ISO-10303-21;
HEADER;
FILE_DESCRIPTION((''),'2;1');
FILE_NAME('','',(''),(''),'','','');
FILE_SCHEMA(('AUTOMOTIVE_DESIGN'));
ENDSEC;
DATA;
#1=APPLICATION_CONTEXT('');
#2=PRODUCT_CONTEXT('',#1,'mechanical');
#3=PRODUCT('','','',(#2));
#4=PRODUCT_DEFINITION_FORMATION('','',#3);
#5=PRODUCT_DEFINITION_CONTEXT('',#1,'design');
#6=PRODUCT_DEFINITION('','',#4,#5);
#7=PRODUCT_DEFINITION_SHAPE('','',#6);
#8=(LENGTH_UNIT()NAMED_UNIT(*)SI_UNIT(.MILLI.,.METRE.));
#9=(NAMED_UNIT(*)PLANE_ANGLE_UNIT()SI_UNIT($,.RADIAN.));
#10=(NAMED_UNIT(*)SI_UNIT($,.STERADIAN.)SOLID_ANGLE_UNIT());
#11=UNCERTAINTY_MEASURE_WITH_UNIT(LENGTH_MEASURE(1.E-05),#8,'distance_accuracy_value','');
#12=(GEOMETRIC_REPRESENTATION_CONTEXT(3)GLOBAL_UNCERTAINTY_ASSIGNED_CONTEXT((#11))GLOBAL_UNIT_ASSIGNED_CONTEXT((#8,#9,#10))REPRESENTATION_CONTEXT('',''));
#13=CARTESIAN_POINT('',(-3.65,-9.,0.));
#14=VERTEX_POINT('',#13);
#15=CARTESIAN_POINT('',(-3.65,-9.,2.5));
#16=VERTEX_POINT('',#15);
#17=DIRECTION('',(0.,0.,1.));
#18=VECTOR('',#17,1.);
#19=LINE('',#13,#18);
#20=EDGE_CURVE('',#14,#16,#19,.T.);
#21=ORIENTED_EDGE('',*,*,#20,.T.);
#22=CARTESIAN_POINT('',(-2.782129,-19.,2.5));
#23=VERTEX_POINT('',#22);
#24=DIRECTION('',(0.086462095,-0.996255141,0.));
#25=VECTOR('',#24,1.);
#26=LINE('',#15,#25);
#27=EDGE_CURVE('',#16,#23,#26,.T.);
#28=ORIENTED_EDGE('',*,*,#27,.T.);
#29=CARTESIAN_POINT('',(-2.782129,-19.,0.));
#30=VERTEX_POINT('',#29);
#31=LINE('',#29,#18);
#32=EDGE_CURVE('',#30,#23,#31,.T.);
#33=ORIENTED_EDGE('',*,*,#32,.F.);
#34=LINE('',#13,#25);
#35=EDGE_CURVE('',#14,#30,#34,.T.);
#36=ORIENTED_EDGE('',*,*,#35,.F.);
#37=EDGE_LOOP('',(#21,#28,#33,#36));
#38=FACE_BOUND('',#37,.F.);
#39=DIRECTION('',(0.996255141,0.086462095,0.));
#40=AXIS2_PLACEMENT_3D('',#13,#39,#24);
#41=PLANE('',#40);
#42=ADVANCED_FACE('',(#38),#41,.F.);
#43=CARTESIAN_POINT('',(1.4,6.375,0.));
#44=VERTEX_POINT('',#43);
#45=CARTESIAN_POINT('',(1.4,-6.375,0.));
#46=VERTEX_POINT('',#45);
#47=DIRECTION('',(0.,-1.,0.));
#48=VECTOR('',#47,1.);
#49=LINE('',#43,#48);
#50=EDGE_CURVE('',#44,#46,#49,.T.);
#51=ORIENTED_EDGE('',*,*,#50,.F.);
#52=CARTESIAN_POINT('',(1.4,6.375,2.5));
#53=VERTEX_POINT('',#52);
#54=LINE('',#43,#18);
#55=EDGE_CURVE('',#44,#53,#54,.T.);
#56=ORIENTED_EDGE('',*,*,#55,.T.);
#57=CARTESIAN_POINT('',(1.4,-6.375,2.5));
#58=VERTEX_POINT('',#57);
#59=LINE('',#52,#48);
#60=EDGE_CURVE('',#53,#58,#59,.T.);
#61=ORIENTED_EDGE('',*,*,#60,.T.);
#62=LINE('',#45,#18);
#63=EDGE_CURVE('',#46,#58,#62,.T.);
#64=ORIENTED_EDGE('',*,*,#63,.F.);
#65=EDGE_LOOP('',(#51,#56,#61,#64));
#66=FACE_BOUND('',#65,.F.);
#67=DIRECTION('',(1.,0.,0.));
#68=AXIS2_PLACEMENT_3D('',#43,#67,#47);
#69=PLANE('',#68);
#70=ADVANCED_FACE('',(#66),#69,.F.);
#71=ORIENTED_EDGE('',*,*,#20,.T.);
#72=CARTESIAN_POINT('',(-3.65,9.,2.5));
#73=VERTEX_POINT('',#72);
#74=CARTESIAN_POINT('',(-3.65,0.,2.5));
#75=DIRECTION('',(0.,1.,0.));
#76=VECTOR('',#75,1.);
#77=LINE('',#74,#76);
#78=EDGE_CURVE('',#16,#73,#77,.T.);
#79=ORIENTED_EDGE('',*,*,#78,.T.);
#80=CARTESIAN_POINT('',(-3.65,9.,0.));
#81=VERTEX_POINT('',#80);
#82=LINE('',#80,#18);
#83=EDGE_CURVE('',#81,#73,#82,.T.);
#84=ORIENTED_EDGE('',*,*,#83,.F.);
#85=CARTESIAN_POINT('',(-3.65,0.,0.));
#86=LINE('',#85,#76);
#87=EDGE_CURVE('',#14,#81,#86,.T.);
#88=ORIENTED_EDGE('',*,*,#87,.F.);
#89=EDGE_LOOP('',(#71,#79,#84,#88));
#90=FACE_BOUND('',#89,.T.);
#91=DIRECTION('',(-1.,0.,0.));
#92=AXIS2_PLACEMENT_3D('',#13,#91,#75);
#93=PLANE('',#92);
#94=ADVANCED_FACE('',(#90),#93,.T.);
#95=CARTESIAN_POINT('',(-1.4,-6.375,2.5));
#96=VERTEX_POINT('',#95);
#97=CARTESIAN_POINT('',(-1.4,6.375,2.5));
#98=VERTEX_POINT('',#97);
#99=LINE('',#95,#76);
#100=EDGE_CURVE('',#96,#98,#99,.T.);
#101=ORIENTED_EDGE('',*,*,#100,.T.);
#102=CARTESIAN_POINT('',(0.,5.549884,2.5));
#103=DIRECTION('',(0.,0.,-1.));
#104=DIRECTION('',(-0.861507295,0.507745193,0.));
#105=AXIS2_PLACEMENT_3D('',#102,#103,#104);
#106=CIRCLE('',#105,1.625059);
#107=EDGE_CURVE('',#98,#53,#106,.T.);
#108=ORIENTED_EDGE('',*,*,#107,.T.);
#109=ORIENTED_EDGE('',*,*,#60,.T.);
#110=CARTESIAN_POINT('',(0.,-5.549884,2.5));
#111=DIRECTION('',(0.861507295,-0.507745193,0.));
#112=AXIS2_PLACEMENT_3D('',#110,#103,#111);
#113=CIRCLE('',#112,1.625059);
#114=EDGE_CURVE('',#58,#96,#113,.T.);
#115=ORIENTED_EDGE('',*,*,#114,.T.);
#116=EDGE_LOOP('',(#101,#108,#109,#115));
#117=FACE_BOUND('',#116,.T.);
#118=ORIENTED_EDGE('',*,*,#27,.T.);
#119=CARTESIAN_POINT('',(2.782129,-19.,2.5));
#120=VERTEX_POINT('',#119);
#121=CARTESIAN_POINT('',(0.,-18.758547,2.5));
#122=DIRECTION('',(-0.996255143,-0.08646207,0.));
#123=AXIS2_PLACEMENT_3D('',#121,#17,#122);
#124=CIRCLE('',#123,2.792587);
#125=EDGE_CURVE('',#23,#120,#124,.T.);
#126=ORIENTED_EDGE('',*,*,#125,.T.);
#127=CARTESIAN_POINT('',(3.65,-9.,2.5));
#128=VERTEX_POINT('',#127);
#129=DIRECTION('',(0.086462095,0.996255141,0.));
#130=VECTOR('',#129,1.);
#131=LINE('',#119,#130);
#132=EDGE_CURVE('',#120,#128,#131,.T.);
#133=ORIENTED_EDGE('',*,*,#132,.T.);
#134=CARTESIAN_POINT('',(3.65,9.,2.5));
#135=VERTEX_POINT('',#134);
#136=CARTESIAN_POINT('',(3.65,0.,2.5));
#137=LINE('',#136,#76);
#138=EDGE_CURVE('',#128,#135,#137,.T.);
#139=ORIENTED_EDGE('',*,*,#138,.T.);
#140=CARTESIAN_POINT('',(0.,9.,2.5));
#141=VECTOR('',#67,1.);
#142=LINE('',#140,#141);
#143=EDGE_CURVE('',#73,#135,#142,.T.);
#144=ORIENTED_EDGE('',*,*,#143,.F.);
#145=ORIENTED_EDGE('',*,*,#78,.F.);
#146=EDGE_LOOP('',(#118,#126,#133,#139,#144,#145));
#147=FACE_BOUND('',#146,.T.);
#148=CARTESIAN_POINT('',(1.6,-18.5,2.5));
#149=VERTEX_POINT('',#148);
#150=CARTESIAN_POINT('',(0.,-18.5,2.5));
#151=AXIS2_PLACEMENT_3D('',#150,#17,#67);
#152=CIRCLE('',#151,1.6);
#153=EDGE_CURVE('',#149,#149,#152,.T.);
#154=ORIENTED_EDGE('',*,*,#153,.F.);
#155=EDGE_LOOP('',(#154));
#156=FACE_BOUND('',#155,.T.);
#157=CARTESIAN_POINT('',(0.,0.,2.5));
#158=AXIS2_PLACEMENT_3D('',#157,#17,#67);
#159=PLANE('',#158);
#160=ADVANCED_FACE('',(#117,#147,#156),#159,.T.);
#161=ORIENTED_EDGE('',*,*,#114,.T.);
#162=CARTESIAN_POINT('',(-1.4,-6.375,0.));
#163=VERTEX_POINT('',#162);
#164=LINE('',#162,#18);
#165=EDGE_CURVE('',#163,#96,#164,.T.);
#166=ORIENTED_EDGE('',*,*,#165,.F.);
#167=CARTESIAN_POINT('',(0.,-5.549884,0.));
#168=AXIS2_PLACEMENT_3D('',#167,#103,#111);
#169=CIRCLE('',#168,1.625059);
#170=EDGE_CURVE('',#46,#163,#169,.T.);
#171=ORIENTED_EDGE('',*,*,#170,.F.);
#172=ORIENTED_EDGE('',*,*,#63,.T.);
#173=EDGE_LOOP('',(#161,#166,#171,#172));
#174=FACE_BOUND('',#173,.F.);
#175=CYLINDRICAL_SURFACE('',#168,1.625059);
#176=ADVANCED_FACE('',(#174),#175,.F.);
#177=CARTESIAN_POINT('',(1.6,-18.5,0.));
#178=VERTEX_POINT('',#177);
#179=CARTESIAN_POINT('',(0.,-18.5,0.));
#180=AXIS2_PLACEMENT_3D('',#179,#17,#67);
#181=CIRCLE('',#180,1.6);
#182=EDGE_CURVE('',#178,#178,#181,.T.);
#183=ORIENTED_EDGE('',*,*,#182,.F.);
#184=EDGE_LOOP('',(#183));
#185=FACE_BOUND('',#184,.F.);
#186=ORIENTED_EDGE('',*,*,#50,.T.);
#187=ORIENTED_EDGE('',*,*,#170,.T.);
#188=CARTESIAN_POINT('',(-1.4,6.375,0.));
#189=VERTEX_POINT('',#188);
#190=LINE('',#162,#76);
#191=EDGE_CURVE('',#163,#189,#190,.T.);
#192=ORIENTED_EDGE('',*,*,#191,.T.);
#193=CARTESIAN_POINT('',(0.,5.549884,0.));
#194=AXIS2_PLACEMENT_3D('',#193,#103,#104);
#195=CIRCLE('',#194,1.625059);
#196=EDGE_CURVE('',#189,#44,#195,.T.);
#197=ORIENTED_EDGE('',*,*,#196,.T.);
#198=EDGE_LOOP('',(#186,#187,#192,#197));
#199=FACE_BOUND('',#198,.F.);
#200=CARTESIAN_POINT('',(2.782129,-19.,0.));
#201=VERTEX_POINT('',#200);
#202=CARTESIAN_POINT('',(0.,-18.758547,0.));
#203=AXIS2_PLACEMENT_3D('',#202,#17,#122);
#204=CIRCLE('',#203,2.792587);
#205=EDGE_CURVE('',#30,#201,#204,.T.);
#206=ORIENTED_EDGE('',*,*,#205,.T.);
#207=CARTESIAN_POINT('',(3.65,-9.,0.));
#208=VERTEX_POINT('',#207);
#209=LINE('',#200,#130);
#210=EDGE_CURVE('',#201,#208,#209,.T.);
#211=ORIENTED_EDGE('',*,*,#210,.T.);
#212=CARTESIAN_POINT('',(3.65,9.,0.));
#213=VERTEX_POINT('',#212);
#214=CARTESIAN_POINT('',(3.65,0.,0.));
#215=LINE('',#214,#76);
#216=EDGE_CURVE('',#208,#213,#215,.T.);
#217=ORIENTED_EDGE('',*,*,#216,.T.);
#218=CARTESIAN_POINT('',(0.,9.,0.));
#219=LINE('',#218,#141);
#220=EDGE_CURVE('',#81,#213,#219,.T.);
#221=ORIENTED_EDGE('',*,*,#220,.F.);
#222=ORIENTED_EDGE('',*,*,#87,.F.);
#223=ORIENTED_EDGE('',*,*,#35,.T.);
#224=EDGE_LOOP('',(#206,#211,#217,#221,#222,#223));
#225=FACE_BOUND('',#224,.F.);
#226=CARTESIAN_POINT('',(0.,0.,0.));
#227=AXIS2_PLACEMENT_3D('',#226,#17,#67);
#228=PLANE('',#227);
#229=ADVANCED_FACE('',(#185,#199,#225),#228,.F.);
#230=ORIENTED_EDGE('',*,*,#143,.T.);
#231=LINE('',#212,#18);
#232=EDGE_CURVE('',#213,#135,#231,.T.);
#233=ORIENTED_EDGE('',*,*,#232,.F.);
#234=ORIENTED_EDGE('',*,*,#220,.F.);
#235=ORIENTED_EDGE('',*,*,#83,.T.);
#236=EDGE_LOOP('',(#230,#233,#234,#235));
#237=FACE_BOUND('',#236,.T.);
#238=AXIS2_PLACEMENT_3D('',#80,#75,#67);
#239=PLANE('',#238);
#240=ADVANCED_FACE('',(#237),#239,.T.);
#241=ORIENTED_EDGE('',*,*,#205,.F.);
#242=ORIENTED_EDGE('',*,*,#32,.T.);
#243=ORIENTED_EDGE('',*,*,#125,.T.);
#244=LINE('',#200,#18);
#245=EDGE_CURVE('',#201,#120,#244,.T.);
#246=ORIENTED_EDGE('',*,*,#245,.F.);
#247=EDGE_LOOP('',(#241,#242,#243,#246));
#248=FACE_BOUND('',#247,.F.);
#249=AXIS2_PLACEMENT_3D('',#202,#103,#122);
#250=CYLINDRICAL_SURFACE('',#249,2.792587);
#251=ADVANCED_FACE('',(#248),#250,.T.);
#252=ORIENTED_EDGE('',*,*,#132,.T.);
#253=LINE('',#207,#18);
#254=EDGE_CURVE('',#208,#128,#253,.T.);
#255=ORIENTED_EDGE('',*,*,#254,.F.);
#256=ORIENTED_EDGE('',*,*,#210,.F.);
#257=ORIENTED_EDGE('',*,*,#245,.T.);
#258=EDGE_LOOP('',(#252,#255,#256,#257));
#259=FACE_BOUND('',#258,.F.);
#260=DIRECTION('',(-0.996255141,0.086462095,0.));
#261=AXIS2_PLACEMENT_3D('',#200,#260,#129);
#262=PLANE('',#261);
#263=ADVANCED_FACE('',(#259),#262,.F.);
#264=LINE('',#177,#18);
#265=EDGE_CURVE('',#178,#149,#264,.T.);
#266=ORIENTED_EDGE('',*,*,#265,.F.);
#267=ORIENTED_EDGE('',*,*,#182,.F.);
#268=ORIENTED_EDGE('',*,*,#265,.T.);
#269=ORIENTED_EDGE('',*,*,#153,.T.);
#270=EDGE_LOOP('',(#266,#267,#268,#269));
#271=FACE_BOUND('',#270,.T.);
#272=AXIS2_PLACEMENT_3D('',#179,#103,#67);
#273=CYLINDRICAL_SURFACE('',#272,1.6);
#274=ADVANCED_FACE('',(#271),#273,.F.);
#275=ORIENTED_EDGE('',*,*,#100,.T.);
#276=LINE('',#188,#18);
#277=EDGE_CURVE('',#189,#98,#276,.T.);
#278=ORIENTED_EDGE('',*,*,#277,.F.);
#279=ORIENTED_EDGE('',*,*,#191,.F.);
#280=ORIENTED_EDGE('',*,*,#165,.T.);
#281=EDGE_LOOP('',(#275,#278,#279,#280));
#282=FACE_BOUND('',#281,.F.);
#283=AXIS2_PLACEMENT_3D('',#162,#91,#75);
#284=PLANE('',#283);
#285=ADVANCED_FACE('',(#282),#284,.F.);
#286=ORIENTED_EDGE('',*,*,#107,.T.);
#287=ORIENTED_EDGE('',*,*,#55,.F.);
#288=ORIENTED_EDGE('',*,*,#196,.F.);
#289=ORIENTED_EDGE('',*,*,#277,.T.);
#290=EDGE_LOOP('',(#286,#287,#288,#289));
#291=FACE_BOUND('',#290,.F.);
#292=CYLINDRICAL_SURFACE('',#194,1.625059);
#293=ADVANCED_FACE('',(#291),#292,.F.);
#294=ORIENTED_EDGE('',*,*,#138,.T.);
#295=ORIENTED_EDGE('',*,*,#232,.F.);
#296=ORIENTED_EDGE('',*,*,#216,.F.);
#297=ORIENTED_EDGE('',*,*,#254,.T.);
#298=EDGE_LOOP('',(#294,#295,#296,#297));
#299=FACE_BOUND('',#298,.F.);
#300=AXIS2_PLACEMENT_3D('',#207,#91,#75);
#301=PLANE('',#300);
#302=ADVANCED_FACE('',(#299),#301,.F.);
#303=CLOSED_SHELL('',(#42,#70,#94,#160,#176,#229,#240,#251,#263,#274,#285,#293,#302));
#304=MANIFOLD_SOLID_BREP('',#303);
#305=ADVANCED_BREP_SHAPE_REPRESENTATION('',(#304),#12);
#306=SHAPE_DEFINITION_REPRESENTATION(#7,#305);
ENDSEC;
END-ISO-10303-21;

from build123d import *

# Parameters (mm, degrees)
F0_W     = 7.3
F0_H     = 18
F0_R     = 1.6
F1_DEPTH = 2.5


with BuildPart() as f1:
    # F0 (on Top) → F1 (new body)
    with BuildSketch(Plane.XY):
        Rectangle(F0_W, F0_H)
        with BuildLine():
            ThreePointArc((-1.4, 6.375), (0, 7.174943), (1.4, 6.375))
            Line((1.4, 6.375), (1.4, -6.375))
            ThreePointArc((1.4, -6.375), (0, -7.174943), (-1.4, -6.375))
            Line((-1.4, -6.375), (-1.4, 6.375))
        make_face(mode=Mode.SUBTRACT)
        with BuildLine():
            Line((2.782129, -19), (3.65, -9))
            Line((3.65, -9), (-3.65, -9))
            Line((-3.65, -9), (-2.782129, -19))
            ThreePointArc((-2.782129, -19), (0, -21.551134), (2.782129, -19))
        make_face()
        with Locations((0, -18.5)):
            Circle(F0_R, mode=Mode.SUBTRACT)
    extrude(amount=F1_DEPTH)


solid = f1.part
